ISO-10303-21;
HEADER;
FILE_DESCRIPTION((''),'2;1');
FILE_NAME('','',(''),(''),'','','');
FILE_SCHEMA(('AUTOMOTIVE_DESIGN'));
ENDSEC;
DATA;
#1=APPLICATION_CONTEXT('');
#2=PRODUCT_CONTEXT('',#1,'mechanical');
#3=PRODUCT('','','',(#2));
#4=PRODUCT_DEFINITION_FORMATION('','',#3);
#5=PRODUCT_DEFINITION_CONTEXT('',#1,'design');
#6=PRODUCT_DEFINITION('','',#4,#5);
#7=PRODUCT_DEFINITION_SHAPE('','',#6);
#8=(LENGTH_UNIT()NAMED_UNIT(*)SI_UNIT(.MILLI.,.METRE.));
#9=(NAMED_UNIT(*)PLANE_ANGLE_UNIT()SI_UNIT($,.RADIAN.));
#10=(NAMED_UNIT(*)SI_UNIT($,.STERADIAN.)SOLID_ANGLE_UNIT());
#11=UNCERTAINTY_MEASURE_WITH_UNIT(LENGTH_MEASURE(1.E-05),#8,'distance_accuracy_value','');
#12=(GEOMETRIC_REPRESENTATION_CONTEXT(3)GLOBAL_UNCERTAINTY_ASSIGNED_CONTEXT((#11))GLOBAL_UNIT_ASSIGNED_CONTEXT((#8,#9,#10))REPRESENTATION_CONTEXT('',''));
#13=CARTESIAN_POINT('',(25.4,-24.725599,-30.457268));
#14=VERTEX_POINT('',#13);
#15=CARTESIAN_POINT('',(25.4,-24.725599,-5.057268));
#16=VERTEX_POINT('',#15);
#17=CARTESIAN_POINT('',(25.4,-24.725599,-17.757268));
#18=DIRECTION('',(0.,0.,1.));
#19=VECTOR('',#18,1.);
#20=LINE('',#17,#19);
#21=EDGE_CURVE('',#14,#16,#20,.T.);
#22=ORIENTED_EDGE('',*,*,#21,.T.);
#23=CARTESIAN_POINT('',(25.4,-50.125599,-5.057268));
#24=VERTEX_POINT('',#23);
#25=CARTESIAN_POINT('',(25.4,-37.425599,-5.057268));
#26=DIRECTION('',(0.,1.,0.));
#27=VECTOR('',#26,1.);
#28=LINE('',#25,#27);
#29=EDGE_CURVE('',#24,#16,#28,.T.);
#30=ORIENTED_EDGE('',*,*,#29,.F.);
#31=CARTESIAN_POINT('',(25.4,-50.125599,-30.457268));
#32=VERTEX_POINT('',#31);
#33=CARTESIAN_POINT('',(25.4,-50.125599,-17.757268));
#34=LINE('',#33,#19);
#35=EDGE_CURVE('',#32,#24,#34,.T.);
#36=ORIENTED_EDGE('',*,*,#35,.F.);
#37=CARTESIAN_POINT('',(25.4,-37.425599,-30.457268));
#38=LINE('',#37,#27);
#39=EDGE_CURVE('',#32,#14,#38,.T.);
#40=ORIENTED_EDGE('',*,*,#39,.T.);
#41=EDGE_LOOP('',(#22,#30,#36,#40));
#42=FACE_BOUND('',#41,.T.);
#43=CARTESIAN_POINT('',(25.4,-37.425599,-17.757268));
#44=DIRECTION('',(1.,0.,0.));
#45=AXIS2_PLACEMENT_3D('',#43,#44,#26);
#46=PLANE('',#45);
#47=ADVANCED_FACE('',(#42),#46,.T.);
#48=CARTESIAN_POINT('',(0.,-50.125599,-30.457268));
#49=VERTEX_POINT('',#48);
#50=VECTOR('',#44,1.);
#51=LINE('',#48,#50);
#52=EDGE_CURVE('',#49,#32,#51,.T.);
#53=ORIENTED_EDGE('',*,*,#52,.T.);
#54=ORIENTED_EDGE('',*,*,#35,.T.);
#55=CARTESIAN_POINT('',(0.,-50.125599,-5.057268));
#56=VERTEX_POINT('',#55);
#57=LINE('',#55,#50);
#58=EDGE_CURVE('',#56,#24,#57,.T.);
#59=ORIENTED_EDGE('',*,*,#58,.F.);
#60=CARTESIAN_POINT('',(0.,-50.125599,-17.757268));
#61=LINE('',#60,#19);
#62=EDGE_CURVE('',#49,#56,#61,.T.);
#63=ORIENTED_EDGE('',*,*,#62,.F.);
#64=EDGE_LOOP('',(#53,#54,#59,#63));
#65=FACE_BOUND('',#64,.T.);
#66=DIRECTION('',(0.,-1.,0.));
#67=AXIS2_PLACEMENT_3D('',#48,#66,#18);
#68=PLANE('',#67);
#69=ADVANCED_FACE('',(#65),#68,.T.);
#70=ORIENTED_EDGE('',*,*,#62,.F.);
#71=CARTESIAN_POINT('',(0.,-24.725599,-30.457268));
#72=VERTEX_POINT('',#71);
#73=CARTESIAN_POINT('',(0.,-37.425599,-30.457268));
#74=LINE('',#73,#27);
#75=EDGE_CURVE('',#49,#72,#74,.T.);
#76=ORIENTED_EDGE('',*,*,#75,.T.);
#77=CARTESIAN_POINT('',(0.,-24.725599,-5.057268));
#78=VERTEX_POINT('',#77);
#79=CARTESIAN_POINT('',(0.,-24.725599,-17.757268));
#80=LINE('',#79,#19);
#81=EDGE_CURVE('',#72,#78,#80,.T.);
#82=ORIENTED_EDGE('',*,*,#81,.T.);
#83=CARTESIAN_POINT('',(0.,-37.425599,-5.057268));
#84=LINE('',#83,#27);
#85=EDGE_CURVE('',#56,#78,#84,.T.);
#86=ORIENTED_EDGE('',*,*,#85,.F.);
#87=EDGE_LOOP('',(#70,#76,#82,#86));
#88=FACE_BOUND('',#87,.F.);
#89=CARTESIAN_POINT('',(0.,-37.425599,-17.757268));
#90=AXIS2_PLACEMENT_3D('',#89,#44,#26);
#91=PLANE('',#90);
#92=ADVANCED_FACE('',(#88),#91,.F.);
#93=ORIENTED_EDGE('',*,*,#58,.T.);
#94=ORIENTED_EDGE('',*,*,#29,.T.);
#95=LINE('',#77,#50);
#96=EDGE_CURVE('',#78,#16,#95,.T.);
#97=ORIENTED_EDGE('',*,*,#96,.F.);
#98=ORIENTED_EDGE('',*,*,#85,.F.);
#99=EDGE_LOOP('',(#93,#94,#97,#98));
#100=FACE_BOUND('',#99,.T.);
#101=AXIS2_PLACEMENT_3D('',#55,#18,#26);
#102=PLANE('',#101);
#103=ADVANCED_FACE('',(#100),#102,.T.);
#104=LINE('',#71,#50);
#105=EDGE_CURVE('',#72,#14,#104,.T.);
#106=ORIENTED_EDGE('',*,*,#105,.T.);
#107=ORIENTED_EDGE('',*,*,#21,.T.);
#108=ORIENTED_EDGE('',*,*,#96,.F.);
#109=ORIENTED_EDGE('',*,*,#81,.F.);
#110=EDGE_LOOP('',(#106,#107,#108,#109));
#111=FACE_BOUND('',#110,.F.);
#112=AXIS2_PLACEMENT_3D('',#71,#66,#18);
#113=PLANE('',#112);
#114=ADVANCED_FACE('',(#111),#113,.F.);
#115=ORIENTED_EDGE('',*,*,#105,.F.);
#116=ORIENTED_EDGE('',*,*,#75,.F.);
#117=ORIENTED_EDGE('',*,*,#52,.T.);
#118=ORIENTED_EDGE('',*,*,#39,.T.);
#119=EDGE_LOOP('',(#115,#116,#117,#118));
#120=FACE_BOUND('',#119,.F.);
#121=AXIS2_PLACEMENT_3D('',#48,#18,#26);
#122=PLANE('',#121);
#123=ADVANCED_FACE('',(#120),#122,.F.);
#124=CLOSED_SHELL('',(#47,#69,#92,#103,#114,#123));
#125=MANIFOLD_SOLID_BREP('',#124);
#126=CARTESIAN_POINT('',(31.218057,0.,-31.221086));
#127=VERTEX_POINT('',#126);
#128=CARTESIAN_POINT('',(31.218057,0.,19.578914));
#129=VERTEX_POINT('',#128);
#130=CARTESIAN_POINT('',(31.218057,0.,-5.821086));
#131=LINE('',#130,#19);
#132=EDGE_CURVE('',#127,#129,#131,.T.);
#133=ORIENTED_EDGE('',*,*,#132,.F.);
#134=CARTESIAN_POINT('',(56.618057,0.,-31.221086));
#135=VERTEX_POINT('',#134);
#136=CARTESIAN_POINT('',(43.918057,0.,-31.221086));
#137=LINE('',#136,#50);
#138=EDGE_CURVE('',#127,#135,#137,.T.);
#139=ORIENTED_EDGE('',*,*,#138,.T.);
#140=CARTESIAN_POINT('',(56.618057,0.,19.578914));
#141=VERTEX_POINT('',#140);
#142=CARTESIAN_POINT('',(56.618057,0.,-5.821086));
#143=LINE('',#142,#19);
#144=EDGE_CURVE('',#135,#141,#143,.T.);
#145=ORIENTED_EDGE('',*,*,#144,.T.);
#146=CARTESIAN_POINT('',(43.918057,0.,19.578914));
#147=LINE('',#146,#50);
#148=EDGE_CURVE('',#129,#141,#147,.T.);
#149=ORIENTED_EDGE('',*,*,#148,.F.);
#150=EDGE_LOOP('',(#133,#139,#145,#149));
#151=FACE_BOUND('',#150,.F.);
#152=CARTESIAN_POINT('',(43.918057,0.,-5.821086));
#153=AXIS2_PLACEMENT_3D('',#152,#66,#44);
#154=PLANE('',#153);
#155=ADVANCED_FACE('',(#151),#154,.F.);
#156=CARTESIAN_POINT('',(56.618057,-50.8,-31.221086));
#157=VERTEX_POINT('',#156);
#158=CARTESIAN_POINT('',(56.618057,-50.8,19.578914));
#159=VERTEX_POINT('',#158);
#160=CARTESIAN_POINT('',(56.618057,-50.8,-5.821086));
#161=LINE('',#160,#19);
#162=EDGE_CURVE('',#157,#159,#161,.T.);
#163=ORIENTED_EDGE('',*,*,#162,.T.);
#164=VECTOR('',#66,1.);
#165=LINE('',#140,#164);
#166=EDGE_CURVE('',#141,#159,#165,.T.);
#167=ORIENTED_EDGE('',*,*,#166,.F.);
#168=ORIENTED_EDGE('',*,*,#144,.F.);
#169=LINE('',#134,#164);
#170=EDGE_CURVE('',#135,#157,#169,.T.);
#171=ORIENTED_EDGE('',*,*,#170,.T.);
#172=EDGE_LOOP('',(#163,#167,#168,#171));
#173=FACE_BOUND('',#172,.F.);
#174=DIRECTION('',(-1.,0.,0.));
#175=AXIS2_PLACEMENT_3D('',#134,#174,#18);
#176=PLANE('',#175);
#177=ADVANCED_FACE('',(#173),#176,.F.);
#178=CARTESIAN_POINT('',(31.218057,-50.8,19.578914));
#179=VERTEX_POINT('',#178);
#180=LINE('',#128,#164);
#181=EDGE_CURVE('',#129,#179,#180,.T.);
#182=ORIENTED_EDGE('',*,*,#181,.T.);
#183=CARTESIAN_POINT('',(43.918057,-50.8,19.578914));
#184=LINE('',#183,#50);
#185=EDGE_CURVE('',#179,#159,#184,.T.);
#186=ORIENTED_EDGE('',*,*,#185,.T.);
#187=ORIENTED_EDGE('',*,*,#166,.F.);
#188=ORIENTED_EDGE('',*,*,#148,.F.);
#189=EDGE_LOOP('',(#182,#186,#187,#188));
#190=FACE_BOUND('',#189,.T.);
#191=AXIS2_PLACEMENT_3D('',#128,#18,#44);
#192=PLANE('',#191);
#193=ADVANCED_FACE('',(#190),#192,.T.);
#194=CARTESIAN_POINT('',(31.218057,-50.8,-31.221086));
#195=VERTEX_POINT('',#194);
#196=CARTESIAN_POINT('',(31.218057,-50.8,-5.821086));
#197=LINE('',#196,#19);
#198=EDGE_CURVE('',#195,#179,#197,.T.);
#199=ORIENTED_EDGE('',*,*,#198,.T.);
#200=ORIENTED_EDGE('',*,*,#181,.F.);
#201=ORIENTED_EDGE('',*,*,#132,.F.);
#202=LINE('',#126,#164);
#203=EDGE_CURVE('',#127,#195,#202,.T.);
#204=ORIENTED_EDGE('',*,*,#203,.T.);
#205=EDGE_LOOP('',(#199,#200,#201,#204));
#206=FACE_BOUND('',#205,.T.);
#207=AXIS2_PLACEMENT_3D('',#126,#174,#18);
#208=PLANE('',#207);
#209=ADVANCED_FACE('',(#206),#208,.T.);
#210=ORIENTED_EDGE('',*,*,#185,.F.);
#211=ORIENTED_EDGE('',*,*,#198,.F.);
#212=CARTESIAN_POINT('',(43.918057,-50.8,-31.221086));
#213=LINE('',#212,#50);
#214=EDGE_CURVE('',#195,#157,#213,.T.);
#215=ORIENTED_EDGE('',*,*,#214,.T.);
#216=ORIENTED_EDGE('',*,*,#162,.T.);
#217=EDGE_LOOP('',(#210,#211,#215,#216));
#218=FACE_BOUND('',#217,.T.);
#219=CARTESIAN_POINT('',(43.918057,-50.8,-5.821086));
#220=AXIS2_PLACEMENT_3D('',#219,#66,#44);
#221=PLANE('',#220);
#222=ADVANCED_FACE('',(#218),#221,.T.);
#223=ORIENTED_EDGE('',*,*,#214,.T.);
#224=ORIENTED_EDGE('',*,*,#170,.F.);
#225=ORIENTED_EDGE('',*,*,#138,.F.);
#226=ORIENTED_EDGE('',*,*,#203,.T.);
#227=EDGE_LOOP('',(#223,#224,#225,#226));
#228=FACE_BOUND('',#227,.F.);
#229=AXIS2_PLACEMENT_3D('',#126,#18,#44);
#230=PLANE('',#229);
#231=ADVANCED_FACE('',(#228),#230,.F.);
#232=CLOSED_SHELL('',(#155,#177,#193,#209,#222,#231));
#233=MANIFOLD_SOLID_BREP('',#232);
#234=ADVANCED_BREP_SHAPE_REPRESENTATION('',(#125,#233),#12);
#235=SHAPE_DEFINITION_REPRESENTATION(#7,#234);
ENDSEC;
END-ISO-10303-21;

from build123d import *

# Parameters (mm, degrees)
F0_W     = 25.4
F0_H     = 50.8
F1_DEPTH = 50.8
F2_W     = 25.4
F2_H     = 25.4
F3_DEPTH = 25.4


with BuildPart() as f1:
    # F0 (on Front) → F1 (new body)
    with BuildSketch(Plane.XZ):
        with Locations((43.918057, -5.821086)):
            Rectangle(F0_W, F0_H)
    extrude(amount=F1_DEPTH)


with BuildPart() as f3:
    # F2 (on Right) → F3 (new body)
    with BuildSketch(Plane.YZ):
        with Locations((-37.425599, -17.757268)):
            Rectangle(F2_W, F2_H)
    extrude(amount=F3_DEPTH)


solid = Compound([f1.part, f3.part])
